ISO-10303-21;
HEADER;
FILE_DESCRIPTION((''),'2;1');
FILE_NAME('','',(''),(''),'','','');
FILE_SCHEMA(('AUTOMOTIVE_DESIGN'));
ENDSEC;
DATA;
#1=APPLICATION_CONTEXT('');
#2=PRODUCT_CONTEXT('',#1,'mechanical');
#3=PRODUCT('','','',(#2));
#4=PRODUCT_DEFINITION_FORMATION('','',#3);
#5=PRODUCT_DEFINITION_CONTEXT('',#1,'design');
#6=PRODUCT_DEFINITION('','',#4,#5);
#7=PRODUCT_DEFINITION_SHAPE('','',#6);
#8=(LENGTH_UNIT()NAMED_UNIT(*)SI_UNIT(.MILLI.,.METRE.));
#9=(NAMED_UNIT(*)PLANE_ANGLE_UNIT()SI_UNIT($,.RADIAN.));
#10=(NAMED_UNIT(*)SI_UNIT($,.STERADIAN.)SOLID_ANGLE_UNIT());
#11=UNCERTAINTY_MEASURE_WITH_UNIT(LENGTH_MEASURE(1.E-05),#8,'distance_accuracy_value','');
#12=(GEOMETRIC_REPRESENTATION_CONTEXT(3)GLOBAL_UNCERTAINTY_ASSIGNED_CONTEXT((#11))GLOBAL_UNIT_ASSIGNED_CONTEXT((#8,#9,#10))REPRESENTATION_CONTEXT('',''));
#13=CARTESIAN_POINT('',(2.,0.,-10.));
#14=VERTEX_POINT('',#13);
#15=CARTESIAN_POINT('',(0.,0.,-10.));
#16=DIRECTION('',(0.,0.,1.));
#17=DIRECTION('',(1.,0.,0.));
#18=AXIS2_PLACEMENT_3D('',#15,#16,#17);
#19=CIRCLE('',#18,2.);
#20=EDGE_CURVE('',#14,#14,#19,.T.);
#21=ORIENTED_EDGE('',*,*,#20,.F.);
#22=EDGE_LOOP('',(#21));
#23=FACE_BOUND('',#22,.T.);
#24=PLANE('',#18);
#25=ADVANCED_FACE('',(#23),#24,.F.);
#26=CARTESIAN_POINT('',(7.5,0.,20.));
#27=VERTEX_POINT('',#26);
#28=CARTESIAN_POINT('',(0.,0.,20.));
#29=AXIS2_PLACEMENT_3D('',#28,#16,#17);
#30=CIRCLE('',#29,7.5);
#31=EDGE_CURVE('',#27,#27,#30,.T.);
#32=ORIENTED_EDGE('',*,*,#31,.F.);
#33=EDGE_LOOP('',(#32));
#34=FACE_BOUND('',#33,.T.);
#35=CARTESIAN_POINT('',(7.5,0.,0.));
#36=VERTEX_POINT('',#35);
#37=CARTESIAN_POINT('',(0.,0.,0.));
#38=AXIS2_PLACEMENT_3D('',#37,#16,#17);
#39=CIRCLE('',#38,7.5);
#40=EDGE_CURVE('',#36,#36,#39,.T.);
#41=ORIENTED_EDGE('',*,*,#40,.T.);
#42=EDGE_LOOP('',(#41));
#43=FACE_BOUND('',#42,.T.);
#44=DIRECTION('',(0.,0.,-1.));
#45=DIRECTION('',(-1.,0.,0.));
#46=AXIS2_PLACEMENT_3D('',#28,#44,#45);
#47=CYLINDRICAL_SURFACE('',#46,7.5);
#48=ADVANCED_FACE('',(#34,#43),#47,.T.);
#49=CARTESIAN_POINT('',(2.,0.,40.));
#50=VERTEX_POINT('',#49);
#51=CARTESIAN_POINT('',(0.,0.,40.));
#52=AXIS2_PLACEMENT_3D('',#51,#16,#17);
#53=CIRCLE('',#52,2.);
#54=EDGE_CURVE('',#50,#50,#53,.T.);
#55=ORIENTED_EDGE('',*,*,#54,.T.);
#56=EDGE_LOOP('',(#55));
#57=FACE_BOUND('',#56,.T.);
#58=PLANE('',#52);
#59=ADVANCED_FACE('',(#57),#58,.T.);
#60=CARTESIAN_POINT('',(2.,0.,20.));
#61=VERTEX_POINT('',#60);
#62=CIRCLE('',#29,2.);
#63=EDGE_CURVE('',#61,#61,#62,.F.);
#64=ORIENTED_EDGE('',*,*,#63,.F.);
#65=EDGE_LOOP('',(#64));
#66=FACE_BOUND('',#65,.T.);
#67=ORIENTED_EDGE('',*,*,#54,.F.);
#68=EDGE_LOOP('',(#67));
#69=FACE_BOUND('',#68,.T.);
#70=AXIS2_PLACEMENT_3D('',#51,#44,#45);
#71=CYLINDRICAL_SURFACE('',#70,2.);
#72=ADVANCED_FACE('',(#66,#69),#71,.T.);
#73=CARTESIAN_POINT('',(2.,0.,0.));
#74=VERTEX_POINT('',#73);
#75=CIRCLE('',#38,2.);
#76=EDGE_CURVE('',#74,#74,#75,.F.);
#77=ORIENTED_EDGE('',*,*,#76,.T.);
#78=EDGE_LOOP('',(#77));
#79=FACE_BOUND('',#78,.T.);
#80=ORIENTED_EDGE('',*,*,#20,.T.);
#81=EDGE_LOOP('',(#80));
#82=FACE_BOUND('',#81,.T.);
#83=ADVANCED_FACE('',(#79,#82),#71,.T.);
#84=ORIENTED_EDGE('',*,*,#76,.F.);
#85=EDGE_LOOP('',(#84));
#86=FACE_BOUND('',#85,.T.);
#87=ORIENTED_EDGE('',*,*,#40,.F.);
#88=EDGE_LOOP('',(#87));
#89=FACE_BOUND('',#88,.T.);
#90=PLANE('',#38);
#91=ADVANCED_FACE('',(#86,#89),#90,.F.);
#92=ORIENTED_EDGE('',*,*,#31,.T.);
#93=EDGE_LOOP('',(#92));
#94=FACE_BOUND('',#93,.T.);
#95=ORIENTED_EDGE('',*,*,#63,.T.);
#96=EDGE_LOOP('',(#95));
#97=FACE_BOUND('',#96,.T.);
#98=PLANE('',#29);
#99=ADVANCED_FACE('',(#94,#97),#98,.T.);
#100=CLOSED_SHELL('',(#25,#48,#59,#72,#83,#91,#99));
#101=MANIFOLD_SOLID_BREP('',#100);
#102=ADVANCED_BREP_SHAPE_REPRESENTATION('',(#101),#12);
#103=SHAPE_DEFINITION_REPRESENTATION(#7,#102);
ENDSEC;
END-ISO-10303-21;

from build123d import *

# Parameters (mm, degrees)
SKETCH1_R                = 7.5
BOSS_EXTRUDE1_DEPTH      = 20
SKETCH2_R                = 1
BOSS_EXTRUDE3_DEPTH      = 40
BOSS_EXTRUDE3_DEPTH_BACK = 10
SKETCH3_R                = 2
BOSS_EXTRUDE4_DEPTH      = 40
BOSS_EXTRUDE4_DEPTH_BACK = 10


with BuildPart() as part:
    # Sketch1 → Boss-Extrude1 (new body)
    with BuildSketch(Plane.XY):
        Circle(SKETCH1_R)
    extrude(amount=BOSS_EXTRUDE1_DEPTH)

    # Sketch2 → Boss-Extrude3 (add, two sides)
    with BuildSketch(Plane.XY) as boss_extrude3_sk:
        Circle(SKETCH2_R)
    extrude(amount=BOSS_EXTRUDE3_DEPTH)
    extrude(boss_extrude3_sk.sketch, amount=-BOSS_EXTRUDE3_DEPTH_BACK)

    # Sketch3 → Boss-Extrude4 (add, two sides)
    with BuildSketch(Plane.XY) as boss_extrude4_sk:
        Circle(SKETCH3_R)
    extrude(amount=BOSS_EXTRUDE4_DEPTH)
    extrude(boss_extrude4_sk.sketch, amount=-BOSS_EXTRUDE4_DEPTH_BACK)


solid = part.part
